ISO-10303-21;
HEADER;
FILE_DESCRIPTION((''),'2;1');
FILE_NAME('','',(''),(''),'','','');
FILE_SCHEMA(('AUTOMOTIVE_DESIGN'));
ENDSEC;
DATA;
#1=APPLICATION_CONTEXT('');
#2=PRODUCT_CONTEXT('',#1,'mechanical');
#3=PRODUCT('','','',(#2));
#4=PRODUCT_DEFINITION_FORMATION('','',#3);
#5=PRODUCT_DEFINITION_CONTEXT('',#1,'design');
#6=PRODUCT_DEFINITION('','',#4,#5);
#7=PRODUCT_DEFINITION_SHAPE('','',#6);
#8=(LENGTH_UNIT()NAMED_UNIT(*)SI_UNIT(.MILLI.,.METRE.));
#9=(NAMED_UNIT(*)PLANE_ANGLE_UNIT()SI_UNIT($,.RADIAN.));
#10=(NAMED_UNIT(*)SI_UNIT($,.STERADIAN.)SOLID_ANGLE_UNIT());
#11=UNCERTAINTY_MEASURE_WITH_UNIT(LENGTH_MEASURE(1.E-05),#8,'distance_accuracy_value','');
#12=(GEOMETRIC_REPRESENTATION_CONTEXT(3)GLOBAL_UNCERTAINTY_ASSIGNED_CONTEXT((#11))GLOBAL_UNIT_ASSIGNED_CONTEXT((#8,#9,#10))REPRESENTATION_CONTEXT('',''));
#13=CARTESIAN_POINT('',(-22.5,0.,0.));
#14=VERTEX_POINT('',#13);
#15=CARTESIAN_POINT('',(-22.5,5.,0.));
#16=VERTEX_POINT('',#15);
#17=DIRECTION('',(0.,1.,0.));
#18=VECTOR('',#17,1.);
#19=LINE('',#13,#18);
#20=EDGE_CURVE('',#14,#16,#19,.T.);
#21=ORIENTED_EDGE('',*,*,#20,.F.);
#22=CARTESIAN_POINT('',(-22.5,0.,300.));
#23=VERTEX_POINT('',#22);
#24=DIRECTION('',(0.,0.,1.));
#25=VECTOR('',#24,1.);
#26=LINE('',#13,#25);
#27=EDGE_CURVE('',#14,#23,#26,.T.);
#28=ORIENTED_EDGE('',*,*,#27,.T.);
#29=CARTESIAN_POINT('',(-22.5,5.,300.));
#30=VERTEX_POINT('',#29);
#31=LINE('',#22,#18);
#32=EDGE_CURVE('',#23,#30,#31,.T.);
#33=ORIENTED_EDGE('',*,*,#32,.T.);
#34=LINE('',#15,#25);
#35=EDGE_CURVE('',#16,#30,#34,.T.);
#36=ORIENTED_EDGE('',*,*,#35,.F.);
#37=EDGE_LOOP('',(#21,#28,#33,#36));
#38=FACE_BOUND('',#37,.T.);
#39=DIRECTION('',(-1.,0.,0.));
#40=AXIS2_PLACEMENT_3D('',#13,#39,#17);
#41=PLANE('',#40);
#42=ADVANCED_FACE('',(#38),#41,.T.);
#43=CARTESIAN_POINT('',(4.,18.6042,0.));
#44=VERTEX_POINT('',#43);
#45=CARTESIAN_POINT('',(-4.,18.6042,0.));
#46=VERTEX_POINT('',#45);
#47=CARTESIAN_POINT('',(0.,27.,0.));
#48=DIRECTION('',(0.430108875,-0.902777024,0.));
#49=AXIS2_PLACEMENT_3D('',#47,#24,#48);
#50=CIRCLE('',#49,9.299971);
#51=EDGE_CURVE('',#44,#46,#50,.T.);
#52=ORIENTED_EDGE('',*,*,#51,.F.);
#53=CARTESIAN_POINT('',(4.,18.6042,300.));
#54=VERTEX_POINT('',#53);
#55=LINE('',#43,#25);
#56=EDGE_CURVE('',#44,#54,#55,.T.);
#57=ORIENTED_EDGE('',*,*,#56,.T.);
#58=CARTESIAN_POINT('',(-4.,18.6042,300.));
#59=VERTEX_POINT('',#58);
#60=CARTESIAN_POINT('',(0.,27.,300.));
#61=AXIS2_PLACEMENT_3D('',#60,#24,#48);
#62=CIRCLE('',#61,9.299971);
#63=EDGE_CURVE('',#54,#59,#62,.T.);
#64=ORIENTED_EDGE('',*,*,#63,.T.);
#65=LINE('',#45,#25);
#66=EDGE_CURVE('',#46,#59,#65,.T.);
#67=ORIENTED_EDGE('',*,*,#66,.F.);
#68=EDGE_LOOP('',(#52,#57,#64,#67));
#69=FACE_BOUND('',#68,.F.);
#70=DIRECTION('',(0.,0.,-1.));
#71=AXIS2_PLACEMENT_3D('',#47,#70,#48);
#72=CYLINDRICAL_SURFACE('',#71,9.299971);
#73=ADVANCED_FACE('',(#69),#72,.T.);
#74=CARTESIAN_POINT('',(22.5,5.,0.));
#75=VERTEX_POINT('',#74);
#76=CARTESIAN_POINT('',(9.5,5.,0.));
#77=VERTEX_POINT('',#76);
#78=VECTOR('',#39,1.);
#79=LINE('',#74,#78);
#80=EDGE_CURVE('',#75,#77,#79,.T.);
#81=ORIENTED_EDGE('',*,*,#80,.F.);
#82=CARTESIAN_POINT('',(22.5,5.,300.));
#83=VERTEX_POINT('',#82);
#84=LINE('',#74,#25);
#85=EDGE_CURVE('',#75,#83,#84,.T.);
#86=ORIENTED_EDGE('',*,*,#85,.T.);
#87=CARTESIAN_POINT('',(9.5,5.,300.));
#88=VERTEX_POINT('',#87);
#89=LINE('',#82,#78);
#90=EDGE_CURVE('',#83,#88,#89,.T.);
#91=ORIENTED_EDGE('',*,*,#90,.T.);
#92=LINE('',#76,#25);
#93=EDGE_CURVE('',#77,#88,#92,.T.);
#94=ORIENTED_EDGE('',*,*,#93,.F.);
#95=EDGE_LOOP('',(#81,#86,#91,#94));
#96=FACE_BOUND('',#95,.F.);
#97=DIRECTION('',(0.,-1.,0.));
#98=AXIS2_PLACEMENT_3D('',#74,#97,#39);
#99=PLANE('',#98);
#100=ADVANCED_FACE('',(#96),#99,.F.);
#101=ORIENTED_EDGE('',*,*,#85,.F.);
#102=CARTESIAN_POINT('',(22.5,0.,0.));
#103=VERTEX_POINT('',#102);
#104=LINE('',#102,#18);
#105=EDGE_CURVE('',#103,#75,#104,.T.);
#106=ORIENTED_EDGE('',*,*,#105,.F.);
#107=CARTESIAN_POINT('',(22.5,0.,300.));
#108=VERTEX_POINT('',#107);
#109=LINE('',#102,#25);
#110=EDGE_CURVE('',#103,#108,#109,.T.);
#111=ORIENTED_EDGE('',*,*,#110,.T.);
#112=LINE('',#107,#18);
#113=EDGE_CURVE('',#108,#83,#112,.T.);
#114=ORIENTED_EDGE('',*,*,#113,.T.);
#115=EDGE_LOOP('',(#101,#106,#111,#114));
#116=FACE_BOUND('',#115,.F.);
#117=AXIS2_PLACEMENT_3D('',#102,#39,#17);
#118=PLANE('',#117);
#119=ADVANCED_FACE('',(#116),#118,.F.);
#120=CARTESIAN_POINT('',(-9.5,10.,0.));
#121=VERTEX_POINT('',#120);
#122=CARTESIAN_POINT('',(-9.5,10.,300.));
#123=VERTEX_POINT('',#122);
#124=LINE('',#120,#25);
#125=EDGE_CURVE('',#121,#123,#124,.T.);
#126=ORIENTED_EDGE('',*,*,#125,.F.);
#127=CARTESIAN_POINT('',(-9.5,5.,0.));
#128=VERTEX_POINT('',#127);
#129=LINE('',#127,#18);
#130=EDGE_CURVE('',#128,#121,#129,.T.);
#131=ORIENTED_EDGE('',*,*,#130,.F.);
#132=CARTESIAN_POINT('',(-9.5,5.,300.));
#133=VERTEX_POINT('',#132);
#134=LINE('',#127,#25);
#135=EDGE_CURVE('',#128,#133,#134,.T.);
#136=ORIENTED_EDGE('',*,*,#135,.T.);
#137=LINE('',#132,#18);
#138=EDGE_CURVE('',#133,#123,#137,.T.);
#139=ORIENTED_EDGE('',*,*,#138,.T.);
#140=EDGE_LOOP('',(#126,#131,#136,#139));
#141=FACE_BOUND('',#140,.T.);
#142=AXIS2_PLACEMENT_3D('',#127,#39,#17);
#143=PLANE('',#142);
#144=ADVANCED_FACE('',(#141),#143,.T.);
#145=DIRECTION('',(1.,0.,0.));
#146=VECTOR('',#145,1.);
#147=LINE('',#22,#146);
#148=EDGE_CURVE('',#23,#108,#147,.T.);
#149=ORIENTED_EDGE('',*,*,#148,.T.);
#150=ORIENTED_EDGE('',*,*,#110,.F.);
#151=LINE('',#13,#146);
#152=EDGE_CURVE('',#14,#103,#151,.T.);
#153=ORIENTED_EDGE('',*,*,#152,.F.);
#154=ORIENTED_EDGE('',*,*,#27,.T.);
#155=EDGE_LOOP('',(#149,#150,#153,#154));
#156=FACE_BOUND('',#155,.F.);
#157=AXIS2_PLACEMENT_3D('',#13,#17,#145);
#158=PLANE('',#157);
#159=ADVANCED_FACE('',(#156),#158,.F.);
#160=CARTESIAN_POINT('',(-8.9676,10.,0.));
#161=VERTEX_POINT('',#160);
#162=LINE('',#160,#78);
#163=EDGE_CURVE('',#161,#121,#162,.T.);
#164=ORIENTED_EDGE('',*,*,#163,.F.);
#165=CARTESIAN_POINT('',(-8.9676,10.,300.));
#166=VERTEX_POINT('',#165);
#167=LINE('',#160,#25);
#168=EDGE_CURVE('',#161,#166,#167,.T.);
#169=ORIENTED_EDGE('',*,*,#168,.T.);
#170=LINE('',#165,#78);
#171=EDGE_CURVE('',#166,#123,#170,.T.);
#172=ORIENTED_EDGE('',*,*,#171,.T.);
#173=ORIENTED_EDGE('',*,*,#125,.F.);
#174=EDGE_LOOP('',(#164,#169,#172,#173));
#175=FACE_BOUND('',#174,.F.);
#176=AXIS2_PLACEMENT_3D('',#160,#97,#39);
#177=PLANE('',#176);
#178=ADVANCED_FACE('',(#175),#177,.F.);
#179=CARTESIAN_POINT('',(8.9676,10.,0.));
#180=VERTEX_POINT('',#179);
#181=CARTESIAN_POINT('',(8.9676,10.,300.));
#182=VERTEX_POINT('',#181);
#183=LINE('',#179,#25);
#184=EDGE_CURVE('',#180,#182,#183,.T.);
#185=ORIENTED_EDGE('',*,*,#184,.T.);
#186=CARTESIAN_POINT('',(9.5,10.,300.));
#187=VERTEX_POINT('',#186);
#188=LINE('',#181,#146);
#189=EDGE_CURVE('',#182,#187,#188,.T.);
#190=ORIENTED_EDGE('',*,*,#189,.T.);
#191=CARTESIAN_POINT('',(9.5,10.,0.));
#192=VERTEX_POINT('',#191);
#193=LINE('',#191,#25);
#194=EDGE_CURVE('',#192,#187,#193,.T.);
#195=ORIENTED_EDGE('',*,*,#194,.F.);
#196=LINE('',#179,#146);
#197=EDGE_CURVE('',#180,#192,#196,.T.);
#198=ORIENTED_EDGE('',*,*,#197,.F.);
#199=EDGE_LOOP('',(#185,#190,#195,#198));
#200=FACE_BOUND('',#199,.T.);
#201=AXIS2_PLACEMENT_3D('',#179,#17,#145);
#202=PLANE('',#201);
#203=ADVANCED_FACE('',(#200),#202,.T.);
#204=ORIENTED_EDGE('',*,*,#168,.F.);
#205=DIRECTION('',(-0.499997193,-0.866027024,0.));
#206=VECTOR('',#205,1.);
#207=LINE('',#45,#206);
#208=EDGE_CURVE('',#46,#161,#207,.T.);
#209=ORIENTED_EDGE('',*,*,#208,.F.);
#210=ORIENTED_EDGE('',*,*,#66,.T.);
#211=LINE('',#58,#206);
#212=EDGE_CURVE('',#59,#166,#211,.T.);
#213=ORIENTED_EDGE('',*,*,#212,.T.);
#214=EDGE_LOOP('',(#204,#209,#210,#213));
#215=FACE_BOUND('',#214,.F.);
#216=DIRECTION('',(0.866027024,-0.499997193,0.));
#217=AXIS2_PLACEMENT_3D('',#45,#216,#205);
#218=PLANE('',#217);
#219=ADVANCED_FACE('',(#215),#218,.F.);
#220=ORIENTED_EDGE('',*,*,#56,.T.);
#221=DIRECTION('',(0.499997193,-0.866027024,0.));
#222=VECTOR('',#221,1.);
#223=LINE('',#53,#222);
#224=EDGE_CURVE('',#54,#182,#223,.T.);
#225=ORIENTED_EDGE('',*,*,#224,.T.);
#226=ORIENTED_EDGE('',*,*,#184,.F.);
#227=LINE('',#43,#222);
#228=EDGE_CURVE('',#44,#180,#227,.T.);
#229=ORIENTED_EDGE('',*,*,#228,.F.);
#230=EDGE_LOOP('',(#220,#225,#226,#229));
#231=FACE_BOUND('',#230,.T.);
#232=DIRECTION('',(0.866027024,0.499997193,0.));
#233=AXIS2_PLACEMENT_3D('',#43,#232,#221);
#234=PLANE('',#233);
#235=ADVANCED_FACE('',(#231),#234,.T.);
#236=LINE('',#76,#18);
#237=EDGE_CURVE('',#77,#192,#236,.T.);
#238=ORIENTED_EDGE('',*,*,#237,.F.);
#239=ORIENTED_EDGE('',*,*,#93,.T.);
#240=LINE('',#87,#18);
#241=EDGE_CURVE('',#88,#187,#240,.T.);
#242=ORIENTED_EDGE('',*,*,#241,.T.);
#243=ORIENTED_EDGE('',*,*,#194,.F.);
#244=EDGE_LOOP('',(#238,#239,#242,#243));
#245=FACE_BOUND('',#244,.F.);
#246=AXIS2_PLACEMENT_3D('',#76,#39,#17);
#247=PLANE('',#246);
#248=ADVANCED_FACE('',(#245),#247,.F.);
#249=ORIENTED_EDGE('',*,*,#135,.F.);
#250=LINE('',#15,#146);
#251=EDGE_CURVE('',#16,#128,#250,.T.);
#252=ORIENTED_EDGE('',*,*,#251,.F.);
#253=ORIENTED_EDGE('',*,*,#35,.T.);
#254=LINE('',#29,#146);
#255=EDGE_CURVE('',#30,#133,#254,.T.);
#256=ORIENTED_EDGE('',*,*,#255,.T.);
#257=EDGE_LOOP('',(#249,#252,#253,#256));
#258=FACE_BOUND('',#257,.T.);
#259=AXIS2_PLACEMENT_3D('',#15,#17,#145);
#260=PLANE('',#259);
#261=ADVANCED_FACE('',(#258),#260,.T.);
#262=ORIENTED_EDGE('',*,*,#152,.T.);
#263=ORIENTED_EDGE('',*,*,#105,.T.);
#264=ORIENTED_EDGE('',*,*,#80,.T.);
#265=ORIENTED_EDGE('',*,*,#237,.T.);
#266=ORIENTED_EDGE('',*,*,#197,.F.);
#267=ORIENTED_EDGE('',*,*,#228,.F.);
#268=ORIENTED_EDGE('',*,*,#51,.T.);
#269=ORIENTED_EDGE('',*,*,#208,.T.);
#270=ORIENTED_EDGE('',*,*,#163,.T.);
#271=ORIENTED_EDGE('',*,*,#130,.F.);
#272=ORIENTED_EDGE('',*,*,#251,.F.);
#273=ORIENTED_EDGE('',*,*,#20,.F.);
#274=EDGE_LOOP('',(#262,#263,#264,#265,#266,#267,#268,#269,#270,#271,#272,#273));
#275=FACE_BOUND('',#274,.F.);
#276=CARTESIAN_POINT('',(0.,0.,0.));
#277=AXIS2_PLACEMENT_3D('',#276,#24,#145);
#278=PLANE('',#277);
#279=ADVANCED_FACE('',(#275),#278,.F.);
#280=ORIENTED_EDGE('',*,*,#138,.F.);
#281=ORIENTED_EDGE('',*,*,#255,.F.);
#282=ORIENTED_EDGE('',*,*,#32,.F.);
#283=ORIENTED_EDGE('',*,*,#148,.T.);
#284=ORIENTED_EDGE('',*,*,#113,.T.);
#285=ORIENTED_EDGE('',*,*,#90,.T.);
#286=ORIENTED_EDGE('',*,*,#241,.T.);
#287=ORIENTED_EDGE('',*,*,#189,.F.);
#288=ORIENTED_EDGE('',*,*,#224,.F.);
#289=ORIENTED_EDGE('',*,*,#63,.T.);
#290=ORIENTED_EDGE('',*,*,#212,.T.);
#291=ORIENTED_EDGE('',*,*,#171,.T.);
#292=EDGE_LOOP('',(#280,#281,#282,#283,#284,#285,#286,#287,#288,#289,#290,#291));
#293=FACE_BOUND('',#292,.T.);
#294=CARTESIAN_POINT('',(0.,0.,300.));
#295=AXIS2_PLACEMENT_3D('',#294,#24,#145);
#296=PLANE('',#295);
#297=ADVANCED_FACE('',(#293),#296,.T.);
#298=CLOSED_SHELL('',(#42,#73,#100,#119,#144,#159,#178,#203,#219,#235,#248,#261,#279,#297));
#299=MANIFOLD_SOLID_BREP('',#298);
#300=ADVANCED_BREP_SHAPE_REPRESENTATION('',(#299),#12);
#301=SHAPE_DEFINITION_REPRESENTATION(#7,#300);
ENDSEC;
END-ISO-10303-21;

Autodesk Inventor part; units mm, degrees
ref_plane "YZ Plane" through (0, 0, 0) normal (1, 0, 0) x (0, 1, 0)
ref_plane "XZ Plane" through (0, 0, 0) normal (0, 1, 0) x (-1, 0, 0)
ref_plane "XY Plane" through (0, 0, 0) normal (0, 0, 1) x (1, 0, 0)
sketch "Sketch1" plane through (0, 0, 0) normal (0, 0, 1) x (1, 0, 0)
  line L0 (-22.5, 0) -> (22.5, 0)
  line L1 (22.5, 0) -> (22.5, 5)
  line L2 (-22.5, 0) -> (-22.5, 5)
  line L3 (-22.5, 5) -> (-9.5, 5)
  line L4 (22.5, 5) -> (9.5, 5)
  line L5 (-9.5, 5) -> (-9.5, 10)
  line L6 (9.5, 5) -> (9.5, 10)
  arc A0 (4, 18.6042) -> (-4, 18.6042) centre (0, 27) ccw
  line L7 (4, 18.6042) -> (8.9676, 10)
  line L8 (-4, 18.6042) -> (-8.9676, 10)
  line L9 (-9.5, 10) -> (9.5, 10) construction
  line L10 (-8.9676, 10) -> (-9.5, 10) construction
  line L11 (-8.9676, 10) -> (-9.5, 10)
  line L12 (8.9676, 10) -> (9.5, 10)
  line L13 (-11.4601, 5) -> (-11.4601, 0) construction
  line L14 (-16.9601, 5) -> (-16.9601, 0) construction
  line L15 (13.0399, 5) -> (13.0399, 0) construction
  line L16 (18.5399, 5) -> (18.5399, 0) construction
  arc A1 (-4, 18.6042) -> (4, 18.6042) centre (0, 27) ccw construction
  point P0 (0, 0)
  point P1 (0, 0)
  point P2 (0, 17.7)
  point P3 (15.7899, 5)
  point P4 (-14.2101, 5)
  dimension "B" = 45
  dimension "t" = 5
  dimension "d2" = 5
  dimension "dimensionf" = 19
  dimension "d4" = 13
  dimension "Y" = 10
  dimension "d6" = 5
  dimension "d" = 18.6
  dimension "e" = 22.5
  dimension "dimensionH" = 17.7
  dimension "dimensionh" = 27
  dimension "x" = 8
  dimension "d16" = 4
  dimension "dimensionc" = 30
  dimension "d21" = 6.7101
  dimension "s1" = 5.5
  dimension "d23" = 5.5
  dimension "d24" = 2.75
  dimension "d25" = 2.75
  dimension "d29" = 6
  dimension "d30" = 6
extrude "Extrusion1" add sketch "Sketch1" along normal blind 300
equation "\"d2\" = t"
equation "\"d16\" = 0.5 * x"
properties part number "sbr20_300mm"
